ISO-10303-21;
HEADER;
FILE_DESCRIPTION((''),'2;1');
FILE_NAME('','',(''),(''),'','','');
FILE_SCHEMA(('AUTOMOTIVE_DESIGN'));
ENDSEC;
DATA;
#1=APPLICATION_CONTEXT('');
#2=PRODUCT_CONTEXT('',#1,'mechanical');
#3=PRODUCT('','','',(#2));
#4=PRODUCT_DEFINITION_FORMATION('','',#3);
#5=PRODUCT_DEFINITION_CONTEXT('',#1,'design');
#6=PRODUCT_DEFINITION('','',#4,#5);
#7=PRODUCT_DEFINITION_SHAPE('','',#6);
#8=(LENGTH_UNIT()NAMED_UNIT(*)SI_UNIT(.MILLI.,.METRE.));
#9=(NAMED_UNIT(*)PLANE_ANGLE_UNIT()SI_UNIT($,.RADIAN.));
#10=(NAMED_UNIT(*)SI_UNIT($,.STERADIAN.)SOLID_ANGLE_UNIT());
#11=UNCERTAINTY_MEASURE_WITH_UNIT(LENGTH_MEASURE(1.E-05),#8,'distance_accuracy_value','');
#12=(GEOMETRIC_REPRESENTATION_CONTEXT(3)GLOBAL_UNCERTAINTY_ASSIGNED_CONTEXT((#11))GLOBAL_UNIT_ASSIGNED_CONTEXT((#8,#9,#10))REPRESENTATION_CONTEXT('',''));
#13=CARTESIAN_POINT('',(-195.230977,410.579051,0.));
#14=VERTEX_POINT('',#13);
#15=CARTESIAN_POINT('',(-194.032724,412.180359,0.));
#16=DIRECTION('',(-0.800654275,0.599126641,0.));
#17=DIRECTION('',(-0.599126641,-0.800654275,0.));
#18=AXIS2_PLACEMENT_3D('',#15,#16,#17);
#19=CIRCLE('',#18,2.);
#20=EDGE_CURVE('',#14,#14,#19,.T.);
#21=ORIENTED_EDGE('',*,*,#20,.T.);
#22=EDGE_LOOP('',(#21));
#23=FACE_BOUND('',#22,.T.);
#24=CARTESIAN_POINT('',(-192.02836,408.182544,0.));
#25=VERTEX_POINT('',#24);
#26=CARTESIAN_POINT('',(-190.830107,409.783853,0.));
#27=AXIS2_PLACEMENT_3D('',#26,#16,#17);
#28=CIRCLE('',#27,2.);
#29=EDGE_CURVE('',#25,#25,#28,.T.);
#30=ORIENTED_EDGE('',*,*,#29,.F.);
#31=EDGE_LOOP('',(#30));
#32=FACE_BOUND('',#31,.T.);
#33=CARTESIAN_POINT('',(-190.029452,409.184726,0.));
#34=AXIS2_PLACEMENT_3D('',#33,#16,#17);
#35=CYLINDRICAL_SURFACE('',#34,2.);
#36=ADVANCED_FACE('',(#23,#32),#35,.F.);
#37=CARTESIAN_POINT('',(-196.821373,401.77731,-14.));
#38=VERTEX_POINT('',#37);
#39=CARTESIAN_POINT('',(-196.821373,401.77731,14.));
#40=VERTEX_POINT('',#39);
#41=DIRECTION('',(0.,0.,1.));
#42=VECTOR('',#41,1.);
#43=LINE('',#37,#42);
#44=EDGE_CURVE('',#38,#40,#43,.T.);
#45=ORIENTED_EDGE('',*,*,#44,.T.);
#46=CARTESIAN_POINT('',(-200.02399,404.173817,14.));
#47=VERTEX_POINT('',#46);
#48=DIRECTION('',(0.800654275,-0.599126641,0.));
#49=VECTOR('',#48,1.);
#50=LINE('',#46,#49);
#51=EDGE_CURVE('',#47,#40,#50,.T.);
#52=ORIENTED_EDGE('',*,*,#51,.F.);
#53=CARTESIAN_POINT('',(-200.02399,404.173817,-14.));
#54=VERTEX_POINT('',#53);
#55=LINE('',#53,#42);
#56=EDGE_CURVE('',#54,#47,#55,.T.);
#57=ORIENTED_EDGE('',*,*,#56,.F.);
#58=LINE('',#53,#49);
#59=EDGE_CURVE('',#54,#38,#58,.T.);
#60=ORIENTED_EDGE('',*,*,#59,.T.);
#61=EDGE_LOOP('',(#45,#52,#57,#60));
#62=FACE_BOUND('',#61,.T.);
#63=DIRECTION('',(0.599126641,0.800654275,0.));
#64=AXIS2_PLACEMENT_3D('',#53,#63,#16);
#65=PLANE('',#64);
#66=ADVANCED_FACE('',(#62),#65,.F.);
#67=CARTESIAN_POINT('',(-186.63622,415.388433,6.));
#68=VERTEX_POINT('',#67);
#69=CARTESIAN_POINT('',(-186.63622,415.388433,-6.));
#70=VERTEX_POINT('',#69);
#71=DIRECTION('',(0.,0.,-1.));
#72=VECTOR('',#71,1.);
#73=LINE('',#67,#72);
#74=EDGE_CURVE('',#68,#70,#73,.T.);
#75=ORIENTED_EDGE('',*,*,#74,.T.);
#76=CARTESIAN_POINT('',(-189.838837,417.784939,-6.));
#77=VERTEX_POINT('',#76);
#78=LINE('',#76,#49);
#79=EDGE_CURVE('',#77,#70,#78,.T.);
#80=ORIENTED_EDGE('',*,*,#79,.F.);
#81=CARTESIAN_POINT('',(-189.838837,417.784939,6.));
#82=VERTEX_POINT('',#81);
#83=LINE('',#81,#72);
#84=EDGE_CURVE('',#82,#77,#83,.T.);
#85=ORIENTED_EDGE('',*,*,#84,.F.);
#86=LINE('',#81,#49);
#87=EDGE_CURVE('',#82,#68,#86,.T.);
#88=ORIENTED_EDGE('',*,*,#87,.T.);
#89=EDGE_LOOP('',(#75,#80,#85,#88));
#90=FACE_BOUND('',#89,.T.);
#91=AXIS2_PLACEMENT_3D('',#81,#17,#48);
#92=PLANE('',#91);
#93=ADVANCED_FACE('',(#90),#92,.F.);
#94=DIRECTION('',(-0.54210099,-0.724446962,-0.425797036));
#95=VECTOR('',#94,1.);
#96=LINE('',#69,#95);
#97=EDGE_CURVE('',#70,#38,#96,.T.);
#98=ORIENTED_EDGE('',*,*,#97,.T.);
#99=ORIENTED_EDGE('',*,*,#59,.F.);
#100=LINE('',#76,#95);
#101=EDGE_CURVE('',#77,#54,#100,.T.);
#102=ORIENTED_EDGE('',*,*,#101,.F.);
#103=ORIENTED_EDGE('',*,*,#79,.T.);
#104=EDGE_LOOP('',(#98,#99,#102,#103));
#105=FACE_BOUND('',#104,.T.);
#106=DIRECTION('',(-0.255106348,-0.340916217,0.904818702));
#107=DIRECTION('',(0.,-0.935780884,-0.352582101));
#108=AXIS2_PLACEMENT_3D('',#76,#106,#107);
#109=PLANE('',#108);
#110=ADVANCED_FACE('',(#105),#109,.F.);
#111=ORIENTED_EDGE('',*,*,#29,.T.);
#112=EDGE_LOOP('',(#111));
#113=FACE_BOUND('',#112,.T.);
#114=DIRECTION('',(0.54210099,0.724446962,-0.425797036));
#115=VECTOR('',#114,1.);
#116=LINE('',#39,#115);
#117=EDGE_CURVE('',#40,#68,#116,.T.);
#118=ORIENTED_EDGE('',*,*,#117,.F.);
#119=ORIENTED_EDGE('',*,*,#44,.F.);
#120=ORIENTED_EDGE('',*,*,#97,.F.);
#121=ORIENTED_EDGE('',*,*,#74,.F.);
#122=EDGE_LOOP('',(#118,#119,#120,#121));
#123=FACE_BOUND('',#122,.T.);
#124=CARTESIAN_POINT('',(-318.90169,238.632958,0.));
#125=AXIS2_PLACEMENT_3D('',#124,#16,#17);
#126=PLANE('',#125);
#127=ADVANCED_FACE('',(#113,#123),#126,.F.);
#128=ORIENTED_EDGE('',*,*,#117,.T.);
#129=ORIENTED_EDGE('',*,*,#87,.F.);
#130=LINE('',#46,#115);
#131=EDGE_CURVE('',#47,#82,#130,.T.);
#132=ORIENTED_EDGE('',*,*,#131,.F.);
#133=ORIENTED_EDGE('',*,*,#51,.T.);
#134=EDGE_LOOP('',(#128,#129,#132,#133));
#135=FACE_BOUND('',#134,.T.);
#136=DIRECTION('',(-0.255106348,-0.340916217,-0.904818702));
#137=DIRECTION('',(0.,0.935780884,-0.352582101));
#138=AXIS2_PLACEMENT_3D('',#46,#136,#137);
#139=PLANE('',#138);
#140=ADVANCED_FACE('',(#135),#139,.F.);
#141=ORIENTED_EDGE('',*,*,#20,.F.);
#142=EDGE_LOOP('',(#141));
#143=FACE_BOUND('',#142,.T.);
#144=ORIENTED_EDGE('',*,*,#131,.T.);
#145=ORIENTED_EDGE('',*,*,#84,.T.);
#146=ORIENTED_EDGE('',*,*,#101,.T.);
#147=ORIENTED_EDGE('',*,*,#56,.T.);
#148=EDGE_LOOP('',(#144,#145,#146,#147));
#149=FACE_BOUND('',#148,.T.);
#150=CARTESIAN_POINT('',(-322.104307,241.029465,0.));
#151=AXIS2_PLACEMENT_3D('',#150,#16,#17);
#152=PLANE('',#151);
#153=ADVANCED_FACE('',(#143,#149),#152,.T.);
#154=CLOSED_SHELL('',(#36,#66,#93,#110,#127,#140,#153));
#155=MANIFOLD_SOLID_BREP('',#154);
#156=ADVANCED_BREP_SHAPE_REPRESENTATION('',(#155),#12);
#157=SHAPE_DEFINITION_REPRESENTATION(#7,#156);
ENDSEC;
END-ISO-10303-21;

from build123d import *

# Parameters (mm, degrees)
YUGO_DEPTH          = 4
OJO_CABLE_PROFILE_R = 2


with BuildPart() as part:
    # Sk_Yugo → Yugo (new body)
    with BuildSketch(Plane(origin=(-318.901689809, 238.632958282, 0), x_dir=(0, 0, 1), z_dir=(-0.800654275017383, 0.5991266409502992, 0))):
        Polygon((-14, 203.763792808), (14, 203.763792808), (6, 220.763792808), (-6, 220.763792808), align=None)
    extrude(amount=YUGO_DEPTH)

    # Ojo_cable: sweep along a curve in space
    with BuildLine() as ojo_cable_path:
        Line((-190.029452392, 409.184726197, 0), (-194.833378042, 412.779486043, 0))
    # Ojo_cable profile (on start of the path) → Ojo_cable (sweep, cut)
    with BuildSketch(Plane(origin=(-190.029452392, 409.184726197, 0), x_dir=(-0.5991266409502979, -0.8006542750173841, 0), z_dir=(-0.8006542750173841, 0.5991266409502979, 0))):
        Circle(OJO_CABLE_PROFILE_R)
    sweep(path=ojo_cable_path.line, mode=Mode.SUBTRACT)


solid = part.part
